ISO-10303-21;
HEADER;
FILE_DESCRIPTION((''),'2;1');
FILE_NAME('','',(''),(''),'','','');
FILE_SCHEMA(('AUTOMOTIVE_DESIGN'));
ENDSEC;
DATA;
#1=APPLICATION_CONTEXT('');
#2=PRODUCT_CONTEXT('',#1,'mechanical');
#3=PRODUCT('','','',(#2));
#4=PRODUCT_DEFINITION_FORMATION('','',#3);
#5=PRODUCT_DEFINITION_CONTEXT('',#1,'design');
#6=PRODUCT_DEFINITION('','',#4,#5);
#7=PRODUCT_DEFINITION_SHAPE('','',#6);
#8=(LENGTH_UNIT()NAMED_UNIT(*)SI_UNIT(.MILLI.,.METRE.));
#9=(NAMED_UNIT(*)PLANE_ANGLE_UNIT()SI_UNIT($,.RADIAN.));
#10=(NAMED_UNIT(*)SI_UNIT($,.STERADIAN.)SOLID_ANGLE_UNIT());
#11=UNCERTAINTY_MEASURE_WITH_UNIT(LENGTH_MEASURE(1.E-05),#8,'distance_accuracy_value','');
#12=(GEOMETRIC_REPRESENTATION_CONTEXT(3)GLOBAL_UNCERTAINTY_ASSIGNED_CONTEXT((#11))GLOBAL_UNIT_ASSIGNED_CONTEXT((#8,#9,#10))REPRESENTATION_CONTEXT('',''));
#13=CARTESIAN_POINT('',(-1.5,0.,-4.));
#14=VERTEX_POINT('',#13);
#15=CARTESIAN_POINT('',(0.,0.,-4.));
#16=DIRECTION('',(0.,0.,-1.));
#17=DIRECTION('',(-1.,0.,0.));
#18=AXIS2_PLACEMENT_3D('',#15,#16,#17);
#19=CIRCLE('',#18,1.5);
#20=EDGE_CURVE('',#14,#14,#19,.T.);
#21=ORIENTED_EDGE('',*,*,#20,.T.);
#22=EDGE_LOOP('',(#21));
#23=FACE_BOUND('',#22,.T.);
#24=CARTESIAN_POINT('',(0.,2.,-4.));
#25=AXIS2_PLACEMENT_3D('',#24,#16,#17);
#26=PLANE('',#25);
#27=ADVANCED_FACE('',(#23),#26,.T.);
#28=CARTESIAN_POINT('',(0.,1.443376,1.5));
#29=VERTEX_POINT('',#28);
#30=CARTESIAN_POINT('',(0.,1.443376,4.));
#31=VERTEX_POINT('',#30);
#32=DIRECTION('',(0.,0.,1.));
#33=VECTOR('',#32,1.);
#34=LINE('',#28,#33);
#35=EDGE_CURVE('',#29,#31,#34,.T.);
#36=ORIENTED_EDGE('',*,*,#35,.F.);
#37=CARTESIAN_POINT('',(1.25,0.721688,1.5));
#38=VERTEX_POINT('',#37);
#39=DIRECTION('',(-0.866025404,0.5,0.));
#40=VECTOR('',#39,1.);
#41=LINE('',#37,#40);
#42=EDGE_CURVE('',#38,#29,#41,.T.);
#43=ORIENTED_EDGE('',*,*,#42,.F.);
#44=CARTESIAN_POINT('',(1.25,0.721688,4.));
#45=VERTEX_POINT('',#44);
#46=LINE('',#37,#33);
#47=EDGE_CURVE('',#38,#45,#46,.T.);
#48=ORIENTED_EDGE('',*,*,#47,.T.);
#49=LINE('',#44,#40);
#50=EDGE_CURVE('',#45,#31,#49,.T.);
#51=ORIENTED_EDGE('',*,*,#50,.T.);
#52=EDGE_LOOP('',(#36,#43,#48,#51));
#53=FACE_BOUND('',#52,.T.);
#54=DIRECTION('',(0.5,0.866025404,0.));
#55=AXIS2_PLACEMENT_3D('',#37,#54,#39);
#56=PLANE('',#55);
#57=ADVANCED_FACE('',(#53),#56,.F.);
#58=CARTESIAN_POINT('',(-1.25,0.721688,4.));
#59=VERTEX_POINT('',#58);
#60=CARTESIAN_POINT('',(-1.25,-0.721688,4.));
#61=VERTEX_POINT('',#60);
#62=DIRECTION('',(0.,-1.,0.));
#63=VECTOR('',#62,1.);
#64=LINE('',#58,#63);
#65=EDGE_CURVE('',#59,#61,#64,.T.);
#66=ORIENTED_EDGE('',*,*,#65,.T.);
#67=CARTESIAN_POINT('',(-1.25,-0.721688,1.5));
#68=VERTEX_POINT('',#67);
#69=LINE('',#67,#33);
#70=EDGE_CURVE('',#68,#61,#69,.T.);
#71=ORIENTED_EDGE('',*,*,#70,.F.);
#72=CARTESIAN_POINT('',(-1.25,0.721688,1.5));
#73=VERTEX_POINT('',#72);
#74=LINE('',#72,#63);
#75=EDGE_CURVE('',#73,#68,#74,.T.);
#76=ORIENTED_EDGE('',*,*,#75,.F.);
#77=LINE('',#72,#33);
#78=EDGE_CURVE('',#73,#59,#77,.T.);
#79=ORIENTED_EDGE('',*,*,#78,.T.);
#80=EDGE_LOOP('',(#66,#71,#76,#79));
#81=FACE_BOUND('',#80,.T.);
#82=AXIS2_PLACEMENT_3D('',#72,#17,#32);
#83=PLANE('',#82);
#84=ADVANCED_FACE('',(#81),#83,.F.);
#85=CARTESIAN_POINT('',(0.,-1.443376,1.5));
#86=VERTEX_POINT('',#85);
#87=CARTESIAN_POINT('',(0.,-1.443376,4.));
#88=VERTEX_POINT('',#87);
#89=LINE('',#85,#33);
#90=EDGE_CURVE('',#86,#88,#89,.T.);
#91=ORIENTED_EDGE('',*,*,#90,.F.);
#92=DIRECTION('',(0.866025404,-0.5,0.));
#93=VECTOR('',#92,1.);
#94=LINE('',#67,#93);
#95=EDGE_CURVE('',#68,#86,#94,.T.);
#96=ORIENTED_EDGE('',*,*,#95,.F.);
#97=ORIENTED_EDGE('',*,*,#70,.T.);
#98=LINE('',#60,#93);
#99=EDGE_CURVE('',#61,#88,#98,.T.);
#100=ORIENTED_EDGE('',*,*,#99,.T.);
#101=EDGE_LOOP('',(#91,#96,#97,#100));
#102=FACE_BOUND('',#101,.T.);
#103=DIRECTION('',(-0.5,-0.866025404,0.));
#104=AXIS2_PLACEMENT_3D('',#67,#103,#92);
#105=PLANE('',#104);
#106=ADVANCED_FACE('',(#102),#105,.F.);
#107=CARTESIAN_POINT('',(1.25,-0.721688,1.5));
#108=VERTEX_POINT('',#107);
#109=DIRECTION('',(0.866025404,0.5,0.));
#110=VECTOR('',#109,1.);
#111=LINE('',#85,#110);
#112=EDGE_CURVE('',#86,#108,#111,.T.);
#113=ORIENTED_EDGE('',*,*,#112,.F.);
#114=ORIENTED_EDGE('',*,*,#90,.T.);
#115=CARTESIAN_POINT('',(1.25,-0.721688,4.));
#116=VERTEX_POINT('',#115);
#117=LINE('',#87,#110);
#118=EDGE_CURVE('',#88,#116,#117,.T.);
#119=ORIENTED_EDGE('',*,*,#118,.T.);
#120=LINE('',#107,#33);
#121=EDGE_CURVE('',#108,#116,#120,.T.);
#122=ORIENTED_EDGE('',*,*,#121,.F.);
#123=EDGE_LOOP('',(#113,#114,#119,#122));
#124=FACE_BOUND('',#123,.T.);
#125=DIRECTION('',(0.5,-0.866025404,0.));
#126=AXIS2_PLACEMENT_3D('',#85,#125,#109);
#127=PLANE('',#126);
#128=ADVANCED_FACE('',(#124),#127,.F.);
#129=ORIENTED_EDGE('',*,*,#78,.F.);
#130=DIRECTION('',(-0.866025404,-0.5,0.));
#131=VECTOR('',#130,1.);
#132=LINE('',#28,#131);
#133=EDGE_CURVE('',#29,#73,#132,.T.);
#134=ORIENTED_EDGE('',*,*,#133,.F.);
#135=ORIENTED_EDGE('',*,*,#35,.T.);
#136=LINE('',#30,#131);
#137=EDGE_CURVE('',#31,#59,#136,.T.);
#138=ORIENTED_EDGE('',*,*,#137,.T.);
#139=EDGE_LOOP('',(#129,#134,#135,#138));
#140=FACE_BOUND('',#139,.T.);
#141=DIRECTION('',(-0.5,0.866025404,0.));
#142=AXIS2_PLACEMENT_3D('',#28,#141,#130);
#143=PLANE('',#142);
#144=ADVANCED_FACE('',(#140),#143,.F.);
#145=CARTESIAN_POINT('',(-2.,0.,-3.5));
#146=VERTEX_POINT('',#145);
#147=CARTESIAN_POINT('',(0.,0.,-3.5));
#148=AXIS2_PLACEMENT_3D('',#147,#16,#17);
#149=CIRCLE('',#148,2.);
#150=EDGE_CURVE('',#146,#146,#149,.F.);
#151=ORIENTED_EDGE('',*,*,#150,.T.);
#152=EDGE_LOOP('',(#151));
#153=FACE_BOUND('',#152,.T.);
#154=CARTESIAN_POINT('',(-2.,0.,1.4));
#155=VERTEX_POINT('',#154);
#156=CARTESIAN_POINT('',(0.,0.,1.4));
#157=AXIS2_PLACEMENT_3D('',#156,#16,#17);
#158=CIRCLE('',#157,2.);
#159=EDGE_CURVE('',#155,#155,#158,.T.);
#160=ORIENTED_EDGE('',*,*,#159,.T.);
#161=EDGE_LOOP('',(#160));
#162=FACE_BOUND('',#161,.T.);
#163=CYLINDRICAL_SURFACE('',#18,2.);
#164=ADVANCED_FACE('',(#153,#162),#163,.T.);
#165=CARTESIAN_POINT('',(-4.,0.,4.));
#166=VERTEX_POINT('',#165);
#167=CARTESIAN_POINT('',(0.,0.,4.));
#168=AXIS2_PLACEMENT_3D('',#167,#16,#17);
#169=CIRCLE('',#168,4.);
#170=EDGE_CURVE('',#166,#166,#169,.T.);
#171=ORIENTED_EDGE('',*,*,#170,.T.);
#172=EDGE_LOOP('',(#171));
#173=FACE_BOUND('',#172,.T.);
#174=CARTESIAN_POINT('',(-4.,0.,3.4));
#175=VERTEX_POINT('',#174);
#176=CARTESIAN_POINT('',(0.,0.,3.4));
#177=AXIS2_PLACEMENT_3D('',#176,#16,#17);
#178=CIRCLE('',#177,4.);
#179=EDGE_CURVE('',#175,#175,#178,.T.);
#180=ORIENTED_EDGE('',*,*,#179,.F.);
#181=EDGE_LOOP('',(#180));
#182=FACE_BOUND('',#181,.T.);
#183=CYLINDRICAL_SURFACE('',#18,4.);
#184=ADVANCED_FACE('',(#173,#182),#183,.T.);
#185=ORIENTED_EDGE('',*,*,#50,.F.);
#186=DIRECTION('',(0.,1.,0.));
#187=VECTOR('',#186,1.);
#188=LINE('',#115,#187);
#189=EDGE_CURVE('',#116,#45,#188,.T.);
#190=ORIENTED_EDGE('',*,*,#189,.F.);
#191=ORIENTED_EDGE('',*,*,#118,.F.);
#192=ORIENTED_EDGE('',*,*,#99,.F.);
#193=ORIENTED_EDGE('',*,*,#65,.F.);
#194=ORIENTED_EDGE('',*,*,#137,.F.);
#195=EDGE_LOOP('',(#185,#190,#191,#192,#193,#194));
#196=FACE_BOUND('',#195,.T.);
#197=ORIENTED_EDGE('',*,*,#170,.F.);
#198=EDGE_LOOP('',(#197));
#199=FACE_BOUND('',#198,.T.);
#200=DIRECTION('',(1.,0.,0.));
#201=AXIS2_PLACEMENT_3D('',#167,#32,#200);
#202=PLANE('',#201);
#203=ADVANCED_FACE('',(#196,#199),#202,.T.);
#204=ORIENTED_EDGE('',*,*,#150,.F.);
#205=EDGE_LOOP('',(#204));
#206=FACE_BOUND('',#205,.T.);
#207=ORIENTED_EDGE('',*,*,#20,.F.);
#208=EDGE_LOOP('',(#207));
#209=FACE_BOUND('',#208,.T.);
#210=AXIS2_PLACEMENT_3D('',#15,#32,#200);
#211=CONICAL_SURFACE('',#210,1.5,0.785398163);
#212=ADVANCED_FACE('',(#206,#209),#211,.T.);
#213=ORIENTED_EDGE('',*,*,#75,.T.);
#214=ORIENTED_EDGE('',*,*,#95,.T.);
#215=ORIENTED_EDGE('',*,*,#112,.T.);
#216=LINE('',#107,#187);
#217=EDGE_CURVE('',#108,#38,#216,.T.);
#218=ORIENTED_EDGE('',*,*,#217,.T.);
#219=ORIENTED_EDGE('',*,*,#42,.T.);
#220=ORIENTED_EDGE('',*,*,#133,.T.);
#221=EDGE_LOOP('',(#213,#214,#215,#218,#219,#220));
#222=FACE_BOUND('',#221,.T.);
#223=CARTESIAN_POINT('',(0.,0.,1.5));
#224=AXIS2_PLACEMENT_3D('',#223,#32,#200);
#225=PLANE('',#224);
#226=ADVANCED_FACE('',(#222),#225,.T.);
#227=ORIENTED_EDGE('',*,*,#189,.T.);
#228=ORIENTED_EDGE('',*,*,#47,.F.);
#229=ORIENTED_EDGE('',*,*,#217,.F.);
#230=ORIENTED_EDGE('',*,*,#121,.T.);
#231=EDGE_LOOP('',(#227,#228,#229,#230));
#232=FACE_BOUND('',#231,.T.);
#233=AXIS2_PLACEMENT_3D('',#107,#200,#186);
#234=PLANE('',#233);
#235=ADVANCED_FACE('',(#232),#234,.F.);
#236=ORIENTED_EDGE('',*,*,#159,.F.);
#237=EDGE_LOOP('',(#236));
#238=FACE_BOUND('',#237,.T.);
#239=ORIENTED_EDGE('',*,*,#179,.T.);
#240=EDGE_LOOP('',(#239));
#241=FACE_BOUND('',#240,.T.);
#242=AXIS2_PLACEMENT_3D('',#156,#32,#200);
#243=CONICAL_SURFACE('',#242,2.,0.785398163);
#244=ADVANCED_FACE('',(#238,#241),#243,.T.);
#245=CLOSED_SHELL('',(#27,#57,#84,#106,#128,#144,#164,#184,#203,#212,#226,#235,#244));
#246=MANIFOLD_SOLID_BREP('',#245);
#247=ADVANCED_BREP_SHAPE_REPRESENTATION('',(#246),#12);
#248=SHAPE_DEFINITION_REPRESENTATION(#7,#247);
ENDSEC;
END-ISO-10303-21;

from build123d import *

# Parameters (mm, degrees)
CHAMFER_1_SIZE      = 0.5
CUT_EXTRUDE_1_DEPTH = 2.5


with BuildPart() as part:
    # 草图1 → 旋转1 (revolve)
    with BuildSketch(Plane(origin=(0, 0, 0), x_dir=(0, 0, -1), z_dir=(1, 0, 0)), mode=Mode.PRIVATE) as revolve_1_sk:
        Polygon((-4, 0), (-4, 4), (-3.4, 4), (-1.4, 2), (4, 2), (4, 0), align=None)
    revolve(revolve_1_sk.sketch.rotate(Axis((0, 0, -4), (0, 0, 1)), 90), axis=Axis((0, 0, -4), (0, 0, 1)))

    # 倒角1
    chamfer_1_edges = [part.edges().sort_by_distance(p)[0] for p in [
        (2, 0, -4),
    ]]
    chamfer(chamfer_1_edges, length=CHAMFER_1_SIZE)

    # 草图2 → 切除-拉伸1 (cut)
    with BuildSketch(Plane.XY.offset(4)):
        Polygon((0, 1.443375673), (-1.25, 0.721687836), (-1.25, -0.721687836), (0, -1.443375673), (1.25, -0.721687836), (1.25, 0.721687836), align=None)
    extrude(amount=-CUT_EXTRUDE_1_DEPTH, mode=Mode.SUBTRACT)


solid = part.part
